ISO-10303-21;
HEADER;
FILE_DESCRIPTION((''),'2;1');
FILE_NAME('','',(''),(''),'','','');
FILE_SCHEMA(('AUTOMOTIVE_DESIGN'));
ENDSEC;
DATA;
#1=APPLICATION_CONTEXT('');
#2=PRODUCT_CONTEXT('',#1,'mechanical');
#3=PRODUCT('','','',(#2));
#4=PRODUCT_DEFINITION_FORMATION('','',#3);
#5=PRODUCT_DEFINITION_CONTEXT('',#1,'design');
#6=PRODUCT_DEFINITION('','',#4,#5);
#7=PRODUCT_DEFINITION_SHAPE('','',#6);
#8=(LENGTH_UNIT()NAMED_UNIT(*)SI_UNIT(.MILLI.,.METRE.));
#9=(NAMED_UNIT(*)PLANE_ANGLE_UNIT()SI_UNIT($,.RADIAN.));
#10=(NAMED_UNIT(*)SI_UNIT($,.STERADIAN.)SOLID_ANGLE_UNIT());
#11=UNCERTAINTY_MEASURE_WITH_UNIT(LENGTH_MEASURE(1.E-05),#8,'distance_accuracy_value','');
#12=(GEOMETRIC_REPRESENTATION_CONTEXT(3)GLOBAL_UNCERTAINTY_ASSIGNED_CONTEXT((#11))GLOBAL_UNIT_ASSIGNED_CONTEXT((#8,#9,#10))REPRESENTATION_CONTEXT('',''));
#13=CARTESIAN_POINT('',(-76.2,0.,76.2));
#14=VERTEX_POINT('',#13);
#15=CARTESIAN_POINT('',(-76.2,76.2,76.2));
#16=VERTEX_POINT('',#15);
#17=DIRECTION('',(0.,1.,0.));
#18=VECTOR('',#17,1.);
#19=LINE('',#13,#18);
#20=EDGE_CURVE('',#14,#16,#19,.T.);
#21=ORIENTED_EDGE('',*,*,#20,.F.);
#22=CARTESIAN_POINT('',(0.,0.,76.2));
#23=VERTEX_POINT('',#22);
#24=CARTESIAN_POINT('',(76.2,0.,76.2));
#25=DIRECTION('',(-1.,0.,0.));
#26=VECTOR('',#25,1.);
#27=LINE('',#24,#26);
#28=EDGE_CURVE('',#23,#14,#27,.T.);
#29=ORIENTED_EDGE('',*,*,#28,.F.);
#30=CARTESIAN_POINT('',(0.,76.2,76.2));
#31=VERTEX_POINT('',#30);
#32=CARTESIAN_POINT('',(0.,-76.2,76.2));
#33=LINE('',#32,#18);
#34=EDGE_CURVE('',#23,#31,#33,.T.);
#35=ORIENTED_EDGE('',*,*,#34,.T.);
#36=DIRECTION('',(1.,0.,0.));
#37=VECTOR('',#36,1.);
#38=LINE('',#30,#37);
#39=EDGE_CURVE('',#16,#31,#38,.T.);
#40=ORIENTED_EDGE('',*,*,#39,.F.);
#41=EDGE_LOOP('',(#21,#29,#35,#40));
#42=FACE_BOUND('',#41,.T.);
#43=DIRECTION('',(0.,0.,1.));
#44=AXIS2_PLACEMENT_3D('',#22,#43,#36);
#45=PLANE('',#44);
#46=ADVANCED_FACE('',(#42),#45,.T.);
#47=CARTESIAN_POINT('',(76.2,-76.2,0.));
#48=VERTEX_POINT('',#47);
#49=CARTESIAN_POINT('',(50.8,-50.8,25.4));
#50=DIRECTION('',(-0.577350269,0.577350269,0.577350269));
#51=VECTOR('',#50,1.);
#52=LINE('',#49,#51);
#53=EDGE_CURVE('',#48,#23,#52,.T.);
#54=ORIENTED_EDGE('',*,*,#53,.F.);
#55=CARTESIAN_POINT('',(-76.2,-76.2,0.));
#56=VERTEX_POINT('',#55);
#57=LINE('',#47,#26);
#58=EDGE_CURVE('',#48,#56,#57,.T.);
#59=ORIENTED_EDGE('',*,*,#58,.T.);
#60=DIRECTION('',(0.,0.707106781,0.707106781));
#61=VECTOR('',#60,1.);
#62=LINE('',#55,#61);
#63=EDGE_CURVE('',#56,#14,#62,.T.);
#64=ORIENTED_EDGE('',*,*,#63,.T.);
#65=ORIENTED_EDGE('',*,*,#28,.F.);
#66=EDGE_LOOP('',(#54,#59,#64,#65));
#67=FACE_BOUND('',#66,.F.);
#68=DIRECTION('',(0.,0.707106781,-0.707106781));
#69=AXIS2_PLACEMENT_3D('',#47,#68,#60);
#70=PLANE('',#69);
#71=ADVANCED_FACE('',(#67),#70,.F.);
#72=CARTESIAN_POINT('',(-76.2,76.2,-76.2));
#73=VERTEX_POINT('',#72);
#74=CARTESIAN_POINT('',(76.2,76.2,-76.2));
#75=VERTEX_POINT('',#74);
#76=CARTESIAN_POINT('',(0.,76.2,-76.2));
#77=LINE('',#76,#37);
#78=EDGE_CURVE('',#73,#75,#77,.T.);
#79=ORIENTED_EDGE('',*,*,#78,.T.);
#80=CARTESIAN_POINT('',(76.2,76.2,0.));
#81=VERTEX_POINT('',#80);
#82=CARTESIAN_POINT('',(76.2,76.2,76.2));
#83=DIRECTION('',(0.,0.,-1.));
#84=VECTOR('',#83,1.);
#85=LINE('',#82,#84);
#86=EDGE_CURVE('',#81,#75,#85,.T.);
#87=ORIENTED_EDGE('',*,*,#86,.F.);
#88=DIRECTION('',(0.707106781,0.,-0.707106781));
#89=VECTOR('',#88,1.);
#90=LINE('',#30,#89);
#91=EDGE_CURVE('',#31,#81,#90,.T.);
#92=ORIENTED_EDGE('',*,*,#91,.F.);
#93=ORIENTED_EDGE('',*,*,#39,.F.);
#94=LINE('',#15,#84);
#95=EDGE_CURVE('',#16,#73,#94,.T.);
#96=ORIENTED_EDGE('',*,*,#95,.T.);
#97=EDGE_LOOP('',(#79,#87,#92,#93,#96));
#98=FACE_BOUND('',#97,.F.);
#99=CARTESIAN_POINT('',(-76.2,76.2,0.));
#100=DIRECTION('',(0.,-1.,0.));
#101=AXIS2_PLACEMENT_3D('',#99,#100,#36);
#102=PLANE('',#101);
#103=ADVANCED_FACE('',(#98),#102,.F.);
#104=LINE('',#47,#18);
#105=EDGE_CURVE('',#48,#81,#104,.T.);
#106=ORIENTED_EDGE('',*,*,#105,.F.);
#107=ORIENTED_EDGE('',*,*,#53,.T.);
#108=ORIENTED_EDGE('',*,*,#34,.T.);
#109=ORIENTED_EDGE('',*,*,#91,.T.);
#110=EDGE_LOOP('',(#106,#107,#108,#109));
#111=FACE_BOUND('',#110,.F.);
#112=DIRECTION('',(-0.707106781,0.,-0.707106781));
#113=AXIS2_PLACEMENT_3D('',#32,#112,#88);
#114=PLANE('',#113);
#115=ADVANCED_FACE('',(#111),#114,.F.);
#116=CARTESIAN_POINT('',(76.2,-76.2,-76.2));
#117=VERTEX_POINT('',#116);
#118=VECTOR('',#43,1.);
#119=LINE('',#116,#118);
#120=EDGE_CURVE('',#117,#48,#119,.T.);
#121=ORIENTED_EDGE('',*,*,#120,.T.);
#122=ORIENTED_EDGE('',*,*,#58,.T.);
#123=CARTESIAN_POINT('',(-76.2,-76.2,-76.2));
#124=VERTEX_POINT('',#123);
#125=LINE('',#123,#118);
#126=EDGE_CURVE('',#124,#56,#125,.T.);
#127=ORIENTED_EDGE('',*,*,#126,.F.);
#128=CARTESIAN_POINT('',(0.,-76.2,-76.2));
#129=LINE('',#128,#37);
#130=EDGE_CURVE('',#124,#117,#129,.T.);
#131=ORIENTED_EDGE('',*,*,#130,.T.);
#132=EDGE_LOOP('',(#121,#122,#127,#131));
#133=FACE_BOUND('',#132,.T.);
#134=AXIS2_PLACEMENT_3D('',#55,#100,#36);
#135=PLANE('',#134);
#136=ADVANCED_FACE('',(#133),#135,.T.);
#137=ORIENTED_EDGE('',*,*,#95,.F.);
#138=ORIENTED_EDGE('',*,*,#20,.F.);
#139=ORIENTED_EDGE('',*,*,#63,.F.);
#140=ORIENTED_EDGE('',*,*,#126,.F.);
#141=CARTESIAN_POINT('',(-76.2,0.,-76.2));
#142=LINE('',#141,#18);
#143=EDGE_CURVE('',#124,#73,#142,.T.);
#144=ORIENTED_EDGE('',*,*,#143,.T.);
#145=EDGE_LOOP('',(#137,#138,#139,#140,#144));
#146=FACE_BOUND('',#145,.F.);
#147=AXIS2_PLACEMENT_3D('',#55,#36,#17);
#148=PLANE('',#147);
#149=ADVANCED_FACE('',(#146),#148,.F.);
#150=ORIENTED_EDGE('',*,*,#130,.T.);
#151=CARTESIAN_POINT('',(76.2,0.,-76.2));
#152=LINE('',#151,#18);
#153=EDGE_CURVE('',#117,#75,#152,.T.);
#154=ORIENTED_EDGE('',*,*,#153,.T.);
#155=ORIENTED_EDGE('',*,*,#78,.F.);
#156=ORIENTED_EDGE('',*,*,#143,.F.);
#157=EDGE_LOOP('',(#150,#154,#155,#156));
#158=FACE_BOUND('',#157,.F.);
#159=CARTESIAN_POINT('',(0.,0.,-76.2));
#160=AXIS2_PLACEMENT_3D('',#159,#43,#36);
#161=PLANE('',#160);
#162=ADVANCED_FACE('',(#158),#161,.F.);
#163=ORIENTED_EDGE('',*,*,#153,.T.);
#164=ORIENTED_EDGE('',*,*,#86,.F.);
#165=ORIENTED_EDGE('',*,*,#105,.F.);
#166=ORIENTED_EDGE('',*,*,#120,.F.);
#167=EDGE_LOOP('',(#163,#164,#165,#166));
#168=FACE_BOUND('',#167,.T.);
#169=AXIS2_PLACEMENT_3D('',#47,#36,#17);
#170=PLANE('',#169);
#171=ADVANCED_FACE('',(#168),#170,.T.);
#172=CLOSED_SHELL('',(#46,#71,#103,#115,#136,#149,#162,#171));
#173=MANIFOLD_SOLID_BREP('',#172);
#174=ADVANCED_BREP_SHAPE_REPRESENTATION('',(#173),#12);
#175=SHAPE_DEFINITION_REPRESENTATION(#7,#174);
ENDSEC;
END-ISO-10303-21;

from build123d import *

# Parameters (mm, degrees)
F0_W     = 152.4
F0_H     = 152.4
F1_DEPTH = 76.2
F4_DEPTH = 152.401
F5_DEPTH = 152.401


with BuildPart() as f1:
    # F0 (on Top) → F1 (new body, symmetric)
    with BuildSketch(Plane.XY):
        Rectangle(F0_W, F0_H)
    extrude(amount=F1_DEPTH, both=True)

    # F2 (on face) → F4 (cut, through all)
    with BuildSketch(Plane.YZ.offset(76.2)):
        Polygon((-76.2, 76.2), (-76.2, 0), (0, 76.2), align=None)
    extrude(amount=-F4_DEPTH, mode=Mode.SUBTRACT)

    # F3 (on face) → F5 (cut, through all)
    with BuildSketch(Plane.XZ.offset(76.2)):
        Polygon((76.2, 76.2), (0, 76.2), (76.2, 0), align=None)
    extrude(amount=-F5_DEPTH, mode=Mode.SUBTRACT)


solid = f1.part
